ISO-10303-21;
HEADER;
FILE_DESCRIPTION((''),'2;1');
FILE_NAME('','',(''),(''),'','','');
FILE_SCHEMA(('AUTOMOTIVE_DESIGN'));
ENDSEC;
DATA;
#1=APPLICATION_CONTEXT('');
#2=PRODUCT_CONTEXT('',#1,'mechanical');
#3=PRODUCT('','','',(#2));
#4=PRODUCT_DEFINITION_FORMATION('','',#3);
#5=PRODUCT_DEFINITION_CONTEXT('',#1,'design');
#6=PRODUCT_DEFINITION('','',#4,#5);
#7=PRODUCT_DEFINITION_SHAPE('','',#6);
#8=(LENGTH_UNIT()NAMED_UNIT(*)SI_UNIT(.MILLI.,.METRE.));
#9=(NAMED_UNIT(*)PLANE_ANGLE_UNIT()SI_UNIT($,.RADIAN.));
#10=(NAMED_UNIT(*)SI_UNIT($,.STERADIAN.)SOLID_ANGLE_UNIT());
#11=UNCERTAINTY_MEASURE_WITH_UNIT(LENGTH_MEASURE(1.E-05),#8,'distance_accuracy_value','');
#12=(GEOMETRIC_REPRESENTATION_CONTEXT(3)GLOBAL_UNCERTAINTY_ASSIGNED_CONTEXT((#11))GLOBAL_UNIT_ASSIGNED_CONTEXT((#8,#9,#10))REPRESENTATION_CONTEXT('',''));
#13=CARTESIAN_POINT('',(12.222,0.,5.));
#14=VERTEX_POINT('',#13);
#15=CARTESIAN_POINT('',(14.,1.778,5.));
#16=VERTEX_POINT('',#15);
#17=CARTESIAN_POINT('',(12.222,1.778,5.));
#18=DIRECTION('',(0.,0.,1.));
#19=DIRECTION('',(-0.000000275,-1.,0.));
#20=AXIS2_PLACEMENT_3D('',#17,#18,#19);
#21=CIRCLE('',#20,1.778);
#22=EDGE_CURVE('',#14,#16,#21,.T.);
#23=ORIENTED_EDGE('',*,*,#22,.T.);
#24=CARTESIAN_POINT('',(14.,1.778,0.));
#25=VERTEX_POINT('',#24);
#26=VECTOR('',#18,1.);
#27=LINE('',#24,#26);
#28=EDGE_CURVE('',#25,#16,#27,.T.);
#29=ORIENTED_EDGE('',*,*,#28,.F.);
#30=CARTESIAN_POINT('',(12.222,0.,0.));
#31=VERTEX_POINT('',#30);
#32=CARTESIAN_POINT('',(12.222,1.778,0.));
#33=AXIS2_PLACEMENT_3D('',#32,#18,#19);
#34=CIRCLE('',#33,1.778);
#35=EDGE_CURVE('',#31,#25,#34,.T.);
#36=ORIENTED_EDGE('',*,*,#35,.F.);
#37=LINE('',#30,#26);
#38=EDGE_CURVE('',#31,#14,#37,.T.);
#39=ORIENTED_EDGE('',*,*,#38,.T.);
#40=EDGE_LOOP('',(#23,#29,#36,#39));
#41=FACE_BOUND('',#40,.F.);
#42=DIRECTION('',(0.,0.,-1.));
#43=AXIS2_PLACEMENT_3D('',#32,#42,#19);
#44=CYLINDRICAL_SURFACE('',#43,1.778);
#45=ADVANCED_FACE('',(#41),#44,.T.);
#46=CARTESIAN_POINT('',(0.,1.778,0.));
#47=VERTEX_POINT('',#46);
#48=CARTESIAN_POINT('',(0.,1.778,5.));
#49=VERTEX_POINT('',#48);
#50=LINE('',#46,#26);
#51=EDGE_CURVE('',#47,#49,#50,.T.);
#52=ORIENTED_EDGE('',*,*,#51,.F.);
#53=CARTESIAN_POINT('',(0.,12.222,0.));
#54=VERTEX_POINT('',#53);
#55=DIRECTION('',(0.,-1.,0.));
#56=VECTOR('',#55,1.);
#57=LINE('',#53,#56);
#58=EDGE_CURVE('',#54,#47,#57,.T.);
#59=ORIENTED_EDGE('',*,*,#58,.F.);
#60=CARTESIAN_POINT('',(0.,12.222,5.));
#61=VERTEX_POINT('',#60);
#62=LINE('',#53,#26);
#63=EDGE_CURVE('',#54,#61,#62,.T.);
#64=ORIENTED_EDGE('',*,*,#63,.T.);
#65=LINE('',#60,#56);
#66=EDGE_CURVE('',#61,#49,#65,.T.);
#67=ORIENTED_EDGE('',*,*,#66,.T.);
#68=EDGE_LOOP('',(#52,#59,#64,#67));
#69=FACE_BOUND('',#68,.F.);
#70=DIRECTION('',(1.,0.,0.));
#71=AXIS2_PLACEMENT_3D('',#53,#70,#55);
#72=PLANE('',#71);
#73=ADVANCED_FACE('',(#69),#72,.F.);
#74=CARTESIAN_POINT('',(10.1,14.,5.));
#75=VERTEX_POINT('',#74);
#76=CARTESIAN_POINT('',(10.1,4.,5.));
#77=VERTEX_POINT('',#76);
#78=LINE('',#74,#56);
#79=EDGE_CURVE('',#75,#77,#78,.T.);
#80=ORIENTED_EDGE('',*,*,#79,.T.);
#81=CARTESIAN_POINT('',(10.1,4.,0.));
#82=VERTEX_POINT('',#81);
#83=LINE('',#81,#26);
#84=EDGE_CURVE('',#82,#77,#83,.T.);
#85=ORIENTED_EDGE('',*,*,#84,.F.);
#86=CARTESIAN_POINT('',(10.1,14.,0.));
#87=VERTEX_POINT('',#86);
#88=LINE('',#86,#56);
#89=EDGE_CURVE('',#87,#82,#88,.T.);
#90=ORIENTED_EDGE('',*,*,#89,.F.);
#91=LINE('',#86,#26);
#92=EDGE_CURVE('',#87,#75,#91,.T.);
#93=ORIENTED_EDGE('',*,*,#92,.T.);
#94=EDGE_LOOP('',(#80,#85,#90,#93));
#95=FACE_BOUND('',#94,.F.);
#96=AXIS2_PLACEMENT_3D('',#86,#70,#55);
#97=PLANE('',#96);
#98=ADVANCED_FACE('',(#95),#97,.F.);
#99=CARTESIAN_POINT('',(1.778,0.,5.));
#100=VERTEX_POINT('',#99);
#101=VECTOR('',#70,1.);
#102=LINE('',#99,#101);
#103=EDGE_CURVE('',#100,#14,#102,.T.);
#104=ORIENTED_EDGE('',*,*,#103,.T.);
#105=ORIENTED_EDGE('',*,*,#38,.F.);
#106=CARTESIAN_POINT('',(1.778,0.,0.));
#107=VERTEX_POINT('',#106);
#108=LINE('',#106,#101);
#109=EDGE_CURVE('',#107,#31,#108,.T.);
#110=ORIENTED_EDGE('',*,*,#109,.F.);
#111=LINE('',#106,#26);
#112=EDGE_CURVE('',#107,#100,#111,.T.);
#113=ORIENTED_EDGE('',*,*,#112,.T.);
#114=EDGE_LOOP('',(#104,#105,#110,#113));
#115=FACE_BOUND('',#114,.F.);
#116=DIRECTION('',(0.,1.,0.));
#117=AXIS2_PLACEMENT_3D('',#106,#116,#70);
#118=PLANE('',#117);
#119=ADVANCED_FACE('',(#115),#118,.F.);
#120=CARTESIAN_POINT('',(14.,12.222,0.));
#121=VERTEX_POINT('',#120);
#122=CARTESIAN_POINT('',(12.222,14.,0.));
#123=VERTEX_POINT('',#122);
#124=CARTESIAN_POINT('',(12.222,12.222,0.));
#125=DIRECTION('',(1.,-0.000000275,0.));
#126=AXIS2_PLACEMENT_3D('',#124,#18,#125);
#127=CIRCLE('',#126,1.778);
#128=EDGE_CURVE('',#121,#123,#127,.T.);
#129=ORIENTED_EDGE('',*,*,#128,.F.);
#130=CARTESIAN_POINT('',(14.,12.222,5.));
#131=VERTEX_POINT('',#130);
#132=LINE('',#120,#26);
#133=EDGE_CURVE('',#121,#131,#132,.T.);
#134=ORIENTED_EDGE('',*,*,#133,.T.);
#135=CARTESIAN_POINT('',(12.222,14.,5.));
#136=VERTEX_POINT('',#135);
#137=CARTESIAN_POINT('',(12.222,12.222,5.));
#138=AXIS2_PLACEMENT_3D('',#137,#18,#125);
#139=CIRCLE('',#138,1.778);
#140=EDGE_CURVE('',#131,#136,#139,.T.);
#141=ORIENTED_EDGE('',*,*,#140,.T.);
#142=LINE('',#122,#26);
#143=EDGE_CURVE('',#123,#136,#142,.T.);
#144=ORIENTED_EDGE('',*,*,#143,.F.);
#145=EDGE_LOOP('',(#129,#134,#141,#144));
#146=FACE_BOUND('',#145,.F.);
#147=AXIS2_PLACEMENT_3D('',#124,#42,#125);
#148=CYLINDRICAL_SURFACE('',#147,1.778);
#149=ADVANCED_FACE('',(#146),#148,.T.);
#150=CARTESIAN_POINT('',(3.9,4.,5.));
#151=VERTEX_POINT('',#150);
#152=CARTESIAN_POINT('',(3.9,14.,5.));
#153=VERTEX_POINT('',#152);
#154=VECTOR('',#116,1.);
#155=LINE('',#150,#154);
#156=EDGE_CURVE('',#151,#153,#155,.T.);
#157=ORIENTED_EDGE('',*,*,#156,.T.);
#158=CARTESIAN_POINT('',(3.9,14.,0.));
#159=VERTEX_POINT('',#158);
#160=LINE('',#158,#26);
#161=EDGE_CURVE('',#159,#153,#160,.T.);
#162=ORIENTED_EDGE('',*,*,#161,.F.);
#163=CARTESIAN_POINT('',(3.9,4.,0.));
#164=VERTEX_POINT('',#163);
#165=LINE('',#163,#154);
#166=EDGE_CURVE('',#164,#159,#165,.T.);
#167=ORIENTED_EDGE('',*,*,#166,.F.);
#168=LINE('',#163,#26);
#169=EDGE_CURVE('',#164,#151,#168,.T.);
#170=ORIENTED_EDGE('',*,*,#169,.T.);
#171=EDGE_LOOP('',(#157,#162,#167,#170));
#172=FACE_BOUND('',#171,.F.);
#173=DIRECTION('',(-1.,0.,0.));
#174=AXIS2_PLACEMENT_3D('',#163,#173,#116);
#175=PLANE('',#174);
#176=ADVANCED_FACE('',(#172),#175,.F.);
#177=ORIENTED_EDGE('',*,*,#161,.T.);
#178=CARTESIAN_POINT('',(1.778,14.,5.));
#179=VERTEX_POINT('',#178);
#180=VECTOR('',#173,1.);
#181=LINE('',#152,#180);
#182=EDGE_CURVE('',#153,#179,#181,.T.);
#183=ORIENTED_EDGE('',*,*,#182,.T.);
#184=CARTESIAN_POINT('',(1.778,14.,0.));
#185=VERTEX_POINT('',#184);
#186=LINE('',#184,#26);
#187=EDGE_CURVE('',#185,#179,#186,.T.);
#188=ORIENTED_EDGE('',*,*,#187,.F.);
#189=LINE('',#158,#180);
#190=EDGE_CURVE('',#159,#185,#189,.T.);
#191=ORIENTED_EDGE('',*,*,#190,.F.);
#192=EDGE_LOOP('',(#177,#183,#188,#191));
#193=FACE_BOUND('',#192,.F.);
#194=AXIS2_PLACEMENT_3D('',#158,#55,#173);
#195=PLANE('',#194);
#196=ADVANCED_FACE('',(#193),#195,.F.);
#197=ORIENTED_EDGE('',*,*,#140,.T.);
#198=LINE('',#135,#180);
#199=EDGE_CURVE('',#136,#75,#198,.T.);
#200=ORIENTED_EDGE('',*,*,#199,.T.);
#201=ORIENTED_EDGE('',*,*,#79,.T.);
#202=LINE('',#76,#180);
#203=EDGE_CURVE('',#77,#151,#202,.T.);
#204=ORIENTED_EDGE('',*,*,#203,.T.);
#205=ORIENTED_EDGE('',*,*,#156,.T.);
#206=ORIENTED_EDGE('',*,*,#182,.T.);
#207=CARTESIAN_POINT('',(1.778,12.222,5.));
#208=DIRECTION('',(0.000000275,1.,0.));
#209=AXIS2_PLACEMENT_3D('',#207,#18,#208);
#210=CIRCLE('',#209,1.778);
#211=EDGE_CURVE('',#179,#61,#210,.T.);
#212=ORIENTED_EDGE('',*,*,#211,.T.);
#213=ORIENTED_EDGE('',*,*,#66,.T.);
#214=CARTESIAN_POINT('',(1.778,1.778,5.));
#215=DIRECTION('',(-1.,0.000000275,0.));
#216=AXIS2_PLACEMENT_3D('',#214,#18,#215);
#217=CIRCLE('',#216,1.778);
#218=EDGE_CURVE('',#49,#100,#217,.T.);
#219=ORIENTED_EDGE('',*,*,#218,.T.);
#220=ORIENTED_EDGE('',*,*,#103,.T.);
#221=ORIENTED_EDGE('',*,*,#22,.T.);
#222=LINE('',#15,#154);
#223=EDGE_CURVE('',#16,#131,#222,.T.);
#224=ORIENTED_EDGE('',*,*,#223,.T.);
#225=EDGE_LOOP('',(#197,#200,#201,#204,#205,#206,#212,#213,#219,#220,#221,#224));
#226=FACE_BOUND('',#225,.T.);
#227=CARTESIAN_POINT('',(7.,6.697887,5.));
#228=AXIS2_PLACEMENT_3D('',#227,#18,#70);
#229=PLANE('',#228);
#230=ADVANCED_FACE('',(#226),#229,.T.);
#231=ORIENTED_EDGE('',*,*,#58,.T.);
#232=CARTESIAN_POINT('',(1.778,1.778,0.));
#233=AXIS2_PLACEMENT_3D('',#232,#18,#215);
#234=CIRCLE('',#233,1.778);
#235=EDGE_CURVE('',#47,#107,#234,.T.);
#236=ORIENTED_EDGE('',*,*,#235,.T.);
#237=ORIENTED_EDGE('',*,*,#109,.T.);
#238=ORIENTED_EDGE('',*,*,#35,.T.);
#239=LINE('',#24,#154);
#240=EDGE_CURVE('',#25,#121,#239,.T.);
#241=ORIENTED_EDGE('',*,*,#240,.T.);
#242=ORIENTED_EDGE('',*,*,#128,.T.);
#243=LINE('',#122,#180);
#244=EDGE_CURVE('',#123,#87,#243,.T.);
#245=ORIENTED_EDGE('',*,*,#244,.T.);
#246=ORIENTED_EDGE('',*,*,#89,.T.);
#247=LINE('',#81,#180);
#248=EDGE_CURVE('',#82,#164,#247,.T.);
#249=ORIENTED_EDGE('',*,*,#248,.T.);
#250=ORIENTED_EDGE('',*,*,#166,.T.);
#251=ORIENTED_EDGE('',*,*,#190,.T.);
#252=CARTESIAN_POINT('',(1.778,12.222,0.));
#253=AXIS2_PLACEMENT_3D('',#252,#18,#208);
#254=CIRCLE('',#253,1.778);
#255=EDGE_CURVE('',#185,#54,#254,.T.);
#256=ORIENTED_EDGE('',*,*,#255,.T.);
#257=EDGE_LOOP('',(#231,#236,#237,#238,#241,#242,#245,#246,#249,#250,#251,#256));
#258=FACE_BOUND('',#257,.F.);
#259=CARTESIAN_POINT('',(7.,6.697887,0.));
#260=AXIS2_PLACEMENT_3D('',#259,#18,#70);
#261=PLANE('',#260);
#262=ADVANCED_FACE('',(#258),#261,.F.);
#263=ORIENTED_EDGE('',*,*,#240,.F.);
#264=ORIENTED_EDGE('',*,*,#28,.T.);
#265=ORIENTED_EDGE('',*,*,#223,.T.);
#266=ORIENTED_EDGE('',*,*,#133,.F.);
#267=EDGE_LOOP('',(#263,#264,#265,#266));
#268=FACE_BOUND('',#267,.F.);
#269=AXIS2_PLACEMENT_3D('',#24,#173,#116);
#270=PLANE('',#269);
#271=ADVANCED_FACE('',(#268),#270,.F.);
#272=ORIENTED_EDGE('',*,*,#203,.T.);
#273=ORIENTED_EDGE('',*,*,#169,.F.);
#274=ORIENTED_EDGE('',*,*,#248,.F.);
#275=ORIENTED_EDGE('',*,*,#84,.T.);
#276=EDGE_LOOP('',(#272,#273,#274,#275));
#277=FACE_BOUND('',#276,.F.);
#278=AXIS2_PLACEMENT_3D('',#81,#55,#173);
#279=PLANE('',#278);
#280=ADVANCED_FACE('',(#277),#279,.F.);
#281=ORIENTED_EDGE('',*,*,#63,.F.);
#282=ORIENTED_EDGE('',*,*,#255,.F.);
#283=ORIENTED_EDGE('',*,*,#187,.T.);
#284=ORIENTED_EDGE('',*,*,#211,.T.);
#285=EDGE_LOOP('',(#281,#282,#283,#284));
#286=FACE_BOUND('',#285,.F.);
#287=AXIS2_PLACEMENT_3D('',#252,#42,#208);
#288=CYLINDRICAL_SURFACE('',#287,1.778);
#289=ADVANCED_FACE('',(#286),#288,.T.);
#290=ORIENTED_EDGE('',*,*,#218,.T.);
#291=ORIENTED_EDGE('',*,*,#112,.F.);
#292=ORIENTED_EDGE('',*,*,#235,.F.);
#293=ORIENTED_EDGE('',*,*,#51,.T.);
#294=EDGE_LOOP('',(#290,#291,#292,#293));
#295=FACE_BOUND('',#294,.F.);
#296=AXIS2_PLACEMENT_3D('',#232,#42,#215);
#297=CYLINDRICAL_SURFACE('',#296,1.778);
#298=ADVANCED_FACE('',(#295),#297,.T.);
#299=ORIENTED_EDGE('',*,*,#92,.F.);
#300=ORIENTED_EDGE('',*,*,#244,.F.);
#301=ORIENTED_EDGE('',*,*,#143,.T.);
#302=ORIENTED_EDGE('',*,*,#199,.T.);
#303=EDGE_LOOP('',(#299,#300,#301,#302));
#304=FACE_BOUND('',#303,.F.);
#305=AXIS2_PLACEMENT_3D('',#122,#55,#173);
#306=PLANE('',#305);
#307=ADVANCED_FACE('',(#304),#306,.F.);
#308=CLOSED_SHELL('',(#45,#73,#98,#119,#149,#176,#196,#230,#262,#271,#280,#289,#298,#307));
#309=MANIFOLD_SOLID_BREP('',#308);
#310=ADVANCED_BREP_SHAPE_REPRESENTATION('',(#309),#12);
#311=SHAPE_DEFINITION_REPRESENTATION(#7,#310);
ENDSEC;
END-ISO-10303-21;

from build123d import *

# Parameters (mm, degrees)
F1_DEPTH = 5


with BuildPart() as f1:
    # F0 (on Top) → F1 (new body)
    with BuildSketch(Plane.XY):
        with BuildLine():
            Line((0, 12.222), (0, 1.778))
            ThreePointArc((0, 1.778), (0.520764, 0.520764), (1.778, 0))
            Line((1.778, 0), (12.222, 0))
            ThreePointArc((12.222, 0), (13.479236, 0.520764), (14, 1.778))
            Line((14, 1.778), (14, 12.222))
            ThreePointArc((14, 12.222), (13.479236, 13.479236), (12.222, 14))
            Line((12.222, 14), (10.1, 14))
            Line((10.1, 14), (10.1, 4))
            Line((10.1, 4), (3.9, 4))
            Line((3.9, 4), (3.9, 14))
            Line((3.9, 14), (1.778, 14))
            ThreePointArc((1.778, 14), (0.520764, 13.479236), (0, 12.222))
        make_face()
    extrude(amount=F1_DEPTH)


solid = f1.part
